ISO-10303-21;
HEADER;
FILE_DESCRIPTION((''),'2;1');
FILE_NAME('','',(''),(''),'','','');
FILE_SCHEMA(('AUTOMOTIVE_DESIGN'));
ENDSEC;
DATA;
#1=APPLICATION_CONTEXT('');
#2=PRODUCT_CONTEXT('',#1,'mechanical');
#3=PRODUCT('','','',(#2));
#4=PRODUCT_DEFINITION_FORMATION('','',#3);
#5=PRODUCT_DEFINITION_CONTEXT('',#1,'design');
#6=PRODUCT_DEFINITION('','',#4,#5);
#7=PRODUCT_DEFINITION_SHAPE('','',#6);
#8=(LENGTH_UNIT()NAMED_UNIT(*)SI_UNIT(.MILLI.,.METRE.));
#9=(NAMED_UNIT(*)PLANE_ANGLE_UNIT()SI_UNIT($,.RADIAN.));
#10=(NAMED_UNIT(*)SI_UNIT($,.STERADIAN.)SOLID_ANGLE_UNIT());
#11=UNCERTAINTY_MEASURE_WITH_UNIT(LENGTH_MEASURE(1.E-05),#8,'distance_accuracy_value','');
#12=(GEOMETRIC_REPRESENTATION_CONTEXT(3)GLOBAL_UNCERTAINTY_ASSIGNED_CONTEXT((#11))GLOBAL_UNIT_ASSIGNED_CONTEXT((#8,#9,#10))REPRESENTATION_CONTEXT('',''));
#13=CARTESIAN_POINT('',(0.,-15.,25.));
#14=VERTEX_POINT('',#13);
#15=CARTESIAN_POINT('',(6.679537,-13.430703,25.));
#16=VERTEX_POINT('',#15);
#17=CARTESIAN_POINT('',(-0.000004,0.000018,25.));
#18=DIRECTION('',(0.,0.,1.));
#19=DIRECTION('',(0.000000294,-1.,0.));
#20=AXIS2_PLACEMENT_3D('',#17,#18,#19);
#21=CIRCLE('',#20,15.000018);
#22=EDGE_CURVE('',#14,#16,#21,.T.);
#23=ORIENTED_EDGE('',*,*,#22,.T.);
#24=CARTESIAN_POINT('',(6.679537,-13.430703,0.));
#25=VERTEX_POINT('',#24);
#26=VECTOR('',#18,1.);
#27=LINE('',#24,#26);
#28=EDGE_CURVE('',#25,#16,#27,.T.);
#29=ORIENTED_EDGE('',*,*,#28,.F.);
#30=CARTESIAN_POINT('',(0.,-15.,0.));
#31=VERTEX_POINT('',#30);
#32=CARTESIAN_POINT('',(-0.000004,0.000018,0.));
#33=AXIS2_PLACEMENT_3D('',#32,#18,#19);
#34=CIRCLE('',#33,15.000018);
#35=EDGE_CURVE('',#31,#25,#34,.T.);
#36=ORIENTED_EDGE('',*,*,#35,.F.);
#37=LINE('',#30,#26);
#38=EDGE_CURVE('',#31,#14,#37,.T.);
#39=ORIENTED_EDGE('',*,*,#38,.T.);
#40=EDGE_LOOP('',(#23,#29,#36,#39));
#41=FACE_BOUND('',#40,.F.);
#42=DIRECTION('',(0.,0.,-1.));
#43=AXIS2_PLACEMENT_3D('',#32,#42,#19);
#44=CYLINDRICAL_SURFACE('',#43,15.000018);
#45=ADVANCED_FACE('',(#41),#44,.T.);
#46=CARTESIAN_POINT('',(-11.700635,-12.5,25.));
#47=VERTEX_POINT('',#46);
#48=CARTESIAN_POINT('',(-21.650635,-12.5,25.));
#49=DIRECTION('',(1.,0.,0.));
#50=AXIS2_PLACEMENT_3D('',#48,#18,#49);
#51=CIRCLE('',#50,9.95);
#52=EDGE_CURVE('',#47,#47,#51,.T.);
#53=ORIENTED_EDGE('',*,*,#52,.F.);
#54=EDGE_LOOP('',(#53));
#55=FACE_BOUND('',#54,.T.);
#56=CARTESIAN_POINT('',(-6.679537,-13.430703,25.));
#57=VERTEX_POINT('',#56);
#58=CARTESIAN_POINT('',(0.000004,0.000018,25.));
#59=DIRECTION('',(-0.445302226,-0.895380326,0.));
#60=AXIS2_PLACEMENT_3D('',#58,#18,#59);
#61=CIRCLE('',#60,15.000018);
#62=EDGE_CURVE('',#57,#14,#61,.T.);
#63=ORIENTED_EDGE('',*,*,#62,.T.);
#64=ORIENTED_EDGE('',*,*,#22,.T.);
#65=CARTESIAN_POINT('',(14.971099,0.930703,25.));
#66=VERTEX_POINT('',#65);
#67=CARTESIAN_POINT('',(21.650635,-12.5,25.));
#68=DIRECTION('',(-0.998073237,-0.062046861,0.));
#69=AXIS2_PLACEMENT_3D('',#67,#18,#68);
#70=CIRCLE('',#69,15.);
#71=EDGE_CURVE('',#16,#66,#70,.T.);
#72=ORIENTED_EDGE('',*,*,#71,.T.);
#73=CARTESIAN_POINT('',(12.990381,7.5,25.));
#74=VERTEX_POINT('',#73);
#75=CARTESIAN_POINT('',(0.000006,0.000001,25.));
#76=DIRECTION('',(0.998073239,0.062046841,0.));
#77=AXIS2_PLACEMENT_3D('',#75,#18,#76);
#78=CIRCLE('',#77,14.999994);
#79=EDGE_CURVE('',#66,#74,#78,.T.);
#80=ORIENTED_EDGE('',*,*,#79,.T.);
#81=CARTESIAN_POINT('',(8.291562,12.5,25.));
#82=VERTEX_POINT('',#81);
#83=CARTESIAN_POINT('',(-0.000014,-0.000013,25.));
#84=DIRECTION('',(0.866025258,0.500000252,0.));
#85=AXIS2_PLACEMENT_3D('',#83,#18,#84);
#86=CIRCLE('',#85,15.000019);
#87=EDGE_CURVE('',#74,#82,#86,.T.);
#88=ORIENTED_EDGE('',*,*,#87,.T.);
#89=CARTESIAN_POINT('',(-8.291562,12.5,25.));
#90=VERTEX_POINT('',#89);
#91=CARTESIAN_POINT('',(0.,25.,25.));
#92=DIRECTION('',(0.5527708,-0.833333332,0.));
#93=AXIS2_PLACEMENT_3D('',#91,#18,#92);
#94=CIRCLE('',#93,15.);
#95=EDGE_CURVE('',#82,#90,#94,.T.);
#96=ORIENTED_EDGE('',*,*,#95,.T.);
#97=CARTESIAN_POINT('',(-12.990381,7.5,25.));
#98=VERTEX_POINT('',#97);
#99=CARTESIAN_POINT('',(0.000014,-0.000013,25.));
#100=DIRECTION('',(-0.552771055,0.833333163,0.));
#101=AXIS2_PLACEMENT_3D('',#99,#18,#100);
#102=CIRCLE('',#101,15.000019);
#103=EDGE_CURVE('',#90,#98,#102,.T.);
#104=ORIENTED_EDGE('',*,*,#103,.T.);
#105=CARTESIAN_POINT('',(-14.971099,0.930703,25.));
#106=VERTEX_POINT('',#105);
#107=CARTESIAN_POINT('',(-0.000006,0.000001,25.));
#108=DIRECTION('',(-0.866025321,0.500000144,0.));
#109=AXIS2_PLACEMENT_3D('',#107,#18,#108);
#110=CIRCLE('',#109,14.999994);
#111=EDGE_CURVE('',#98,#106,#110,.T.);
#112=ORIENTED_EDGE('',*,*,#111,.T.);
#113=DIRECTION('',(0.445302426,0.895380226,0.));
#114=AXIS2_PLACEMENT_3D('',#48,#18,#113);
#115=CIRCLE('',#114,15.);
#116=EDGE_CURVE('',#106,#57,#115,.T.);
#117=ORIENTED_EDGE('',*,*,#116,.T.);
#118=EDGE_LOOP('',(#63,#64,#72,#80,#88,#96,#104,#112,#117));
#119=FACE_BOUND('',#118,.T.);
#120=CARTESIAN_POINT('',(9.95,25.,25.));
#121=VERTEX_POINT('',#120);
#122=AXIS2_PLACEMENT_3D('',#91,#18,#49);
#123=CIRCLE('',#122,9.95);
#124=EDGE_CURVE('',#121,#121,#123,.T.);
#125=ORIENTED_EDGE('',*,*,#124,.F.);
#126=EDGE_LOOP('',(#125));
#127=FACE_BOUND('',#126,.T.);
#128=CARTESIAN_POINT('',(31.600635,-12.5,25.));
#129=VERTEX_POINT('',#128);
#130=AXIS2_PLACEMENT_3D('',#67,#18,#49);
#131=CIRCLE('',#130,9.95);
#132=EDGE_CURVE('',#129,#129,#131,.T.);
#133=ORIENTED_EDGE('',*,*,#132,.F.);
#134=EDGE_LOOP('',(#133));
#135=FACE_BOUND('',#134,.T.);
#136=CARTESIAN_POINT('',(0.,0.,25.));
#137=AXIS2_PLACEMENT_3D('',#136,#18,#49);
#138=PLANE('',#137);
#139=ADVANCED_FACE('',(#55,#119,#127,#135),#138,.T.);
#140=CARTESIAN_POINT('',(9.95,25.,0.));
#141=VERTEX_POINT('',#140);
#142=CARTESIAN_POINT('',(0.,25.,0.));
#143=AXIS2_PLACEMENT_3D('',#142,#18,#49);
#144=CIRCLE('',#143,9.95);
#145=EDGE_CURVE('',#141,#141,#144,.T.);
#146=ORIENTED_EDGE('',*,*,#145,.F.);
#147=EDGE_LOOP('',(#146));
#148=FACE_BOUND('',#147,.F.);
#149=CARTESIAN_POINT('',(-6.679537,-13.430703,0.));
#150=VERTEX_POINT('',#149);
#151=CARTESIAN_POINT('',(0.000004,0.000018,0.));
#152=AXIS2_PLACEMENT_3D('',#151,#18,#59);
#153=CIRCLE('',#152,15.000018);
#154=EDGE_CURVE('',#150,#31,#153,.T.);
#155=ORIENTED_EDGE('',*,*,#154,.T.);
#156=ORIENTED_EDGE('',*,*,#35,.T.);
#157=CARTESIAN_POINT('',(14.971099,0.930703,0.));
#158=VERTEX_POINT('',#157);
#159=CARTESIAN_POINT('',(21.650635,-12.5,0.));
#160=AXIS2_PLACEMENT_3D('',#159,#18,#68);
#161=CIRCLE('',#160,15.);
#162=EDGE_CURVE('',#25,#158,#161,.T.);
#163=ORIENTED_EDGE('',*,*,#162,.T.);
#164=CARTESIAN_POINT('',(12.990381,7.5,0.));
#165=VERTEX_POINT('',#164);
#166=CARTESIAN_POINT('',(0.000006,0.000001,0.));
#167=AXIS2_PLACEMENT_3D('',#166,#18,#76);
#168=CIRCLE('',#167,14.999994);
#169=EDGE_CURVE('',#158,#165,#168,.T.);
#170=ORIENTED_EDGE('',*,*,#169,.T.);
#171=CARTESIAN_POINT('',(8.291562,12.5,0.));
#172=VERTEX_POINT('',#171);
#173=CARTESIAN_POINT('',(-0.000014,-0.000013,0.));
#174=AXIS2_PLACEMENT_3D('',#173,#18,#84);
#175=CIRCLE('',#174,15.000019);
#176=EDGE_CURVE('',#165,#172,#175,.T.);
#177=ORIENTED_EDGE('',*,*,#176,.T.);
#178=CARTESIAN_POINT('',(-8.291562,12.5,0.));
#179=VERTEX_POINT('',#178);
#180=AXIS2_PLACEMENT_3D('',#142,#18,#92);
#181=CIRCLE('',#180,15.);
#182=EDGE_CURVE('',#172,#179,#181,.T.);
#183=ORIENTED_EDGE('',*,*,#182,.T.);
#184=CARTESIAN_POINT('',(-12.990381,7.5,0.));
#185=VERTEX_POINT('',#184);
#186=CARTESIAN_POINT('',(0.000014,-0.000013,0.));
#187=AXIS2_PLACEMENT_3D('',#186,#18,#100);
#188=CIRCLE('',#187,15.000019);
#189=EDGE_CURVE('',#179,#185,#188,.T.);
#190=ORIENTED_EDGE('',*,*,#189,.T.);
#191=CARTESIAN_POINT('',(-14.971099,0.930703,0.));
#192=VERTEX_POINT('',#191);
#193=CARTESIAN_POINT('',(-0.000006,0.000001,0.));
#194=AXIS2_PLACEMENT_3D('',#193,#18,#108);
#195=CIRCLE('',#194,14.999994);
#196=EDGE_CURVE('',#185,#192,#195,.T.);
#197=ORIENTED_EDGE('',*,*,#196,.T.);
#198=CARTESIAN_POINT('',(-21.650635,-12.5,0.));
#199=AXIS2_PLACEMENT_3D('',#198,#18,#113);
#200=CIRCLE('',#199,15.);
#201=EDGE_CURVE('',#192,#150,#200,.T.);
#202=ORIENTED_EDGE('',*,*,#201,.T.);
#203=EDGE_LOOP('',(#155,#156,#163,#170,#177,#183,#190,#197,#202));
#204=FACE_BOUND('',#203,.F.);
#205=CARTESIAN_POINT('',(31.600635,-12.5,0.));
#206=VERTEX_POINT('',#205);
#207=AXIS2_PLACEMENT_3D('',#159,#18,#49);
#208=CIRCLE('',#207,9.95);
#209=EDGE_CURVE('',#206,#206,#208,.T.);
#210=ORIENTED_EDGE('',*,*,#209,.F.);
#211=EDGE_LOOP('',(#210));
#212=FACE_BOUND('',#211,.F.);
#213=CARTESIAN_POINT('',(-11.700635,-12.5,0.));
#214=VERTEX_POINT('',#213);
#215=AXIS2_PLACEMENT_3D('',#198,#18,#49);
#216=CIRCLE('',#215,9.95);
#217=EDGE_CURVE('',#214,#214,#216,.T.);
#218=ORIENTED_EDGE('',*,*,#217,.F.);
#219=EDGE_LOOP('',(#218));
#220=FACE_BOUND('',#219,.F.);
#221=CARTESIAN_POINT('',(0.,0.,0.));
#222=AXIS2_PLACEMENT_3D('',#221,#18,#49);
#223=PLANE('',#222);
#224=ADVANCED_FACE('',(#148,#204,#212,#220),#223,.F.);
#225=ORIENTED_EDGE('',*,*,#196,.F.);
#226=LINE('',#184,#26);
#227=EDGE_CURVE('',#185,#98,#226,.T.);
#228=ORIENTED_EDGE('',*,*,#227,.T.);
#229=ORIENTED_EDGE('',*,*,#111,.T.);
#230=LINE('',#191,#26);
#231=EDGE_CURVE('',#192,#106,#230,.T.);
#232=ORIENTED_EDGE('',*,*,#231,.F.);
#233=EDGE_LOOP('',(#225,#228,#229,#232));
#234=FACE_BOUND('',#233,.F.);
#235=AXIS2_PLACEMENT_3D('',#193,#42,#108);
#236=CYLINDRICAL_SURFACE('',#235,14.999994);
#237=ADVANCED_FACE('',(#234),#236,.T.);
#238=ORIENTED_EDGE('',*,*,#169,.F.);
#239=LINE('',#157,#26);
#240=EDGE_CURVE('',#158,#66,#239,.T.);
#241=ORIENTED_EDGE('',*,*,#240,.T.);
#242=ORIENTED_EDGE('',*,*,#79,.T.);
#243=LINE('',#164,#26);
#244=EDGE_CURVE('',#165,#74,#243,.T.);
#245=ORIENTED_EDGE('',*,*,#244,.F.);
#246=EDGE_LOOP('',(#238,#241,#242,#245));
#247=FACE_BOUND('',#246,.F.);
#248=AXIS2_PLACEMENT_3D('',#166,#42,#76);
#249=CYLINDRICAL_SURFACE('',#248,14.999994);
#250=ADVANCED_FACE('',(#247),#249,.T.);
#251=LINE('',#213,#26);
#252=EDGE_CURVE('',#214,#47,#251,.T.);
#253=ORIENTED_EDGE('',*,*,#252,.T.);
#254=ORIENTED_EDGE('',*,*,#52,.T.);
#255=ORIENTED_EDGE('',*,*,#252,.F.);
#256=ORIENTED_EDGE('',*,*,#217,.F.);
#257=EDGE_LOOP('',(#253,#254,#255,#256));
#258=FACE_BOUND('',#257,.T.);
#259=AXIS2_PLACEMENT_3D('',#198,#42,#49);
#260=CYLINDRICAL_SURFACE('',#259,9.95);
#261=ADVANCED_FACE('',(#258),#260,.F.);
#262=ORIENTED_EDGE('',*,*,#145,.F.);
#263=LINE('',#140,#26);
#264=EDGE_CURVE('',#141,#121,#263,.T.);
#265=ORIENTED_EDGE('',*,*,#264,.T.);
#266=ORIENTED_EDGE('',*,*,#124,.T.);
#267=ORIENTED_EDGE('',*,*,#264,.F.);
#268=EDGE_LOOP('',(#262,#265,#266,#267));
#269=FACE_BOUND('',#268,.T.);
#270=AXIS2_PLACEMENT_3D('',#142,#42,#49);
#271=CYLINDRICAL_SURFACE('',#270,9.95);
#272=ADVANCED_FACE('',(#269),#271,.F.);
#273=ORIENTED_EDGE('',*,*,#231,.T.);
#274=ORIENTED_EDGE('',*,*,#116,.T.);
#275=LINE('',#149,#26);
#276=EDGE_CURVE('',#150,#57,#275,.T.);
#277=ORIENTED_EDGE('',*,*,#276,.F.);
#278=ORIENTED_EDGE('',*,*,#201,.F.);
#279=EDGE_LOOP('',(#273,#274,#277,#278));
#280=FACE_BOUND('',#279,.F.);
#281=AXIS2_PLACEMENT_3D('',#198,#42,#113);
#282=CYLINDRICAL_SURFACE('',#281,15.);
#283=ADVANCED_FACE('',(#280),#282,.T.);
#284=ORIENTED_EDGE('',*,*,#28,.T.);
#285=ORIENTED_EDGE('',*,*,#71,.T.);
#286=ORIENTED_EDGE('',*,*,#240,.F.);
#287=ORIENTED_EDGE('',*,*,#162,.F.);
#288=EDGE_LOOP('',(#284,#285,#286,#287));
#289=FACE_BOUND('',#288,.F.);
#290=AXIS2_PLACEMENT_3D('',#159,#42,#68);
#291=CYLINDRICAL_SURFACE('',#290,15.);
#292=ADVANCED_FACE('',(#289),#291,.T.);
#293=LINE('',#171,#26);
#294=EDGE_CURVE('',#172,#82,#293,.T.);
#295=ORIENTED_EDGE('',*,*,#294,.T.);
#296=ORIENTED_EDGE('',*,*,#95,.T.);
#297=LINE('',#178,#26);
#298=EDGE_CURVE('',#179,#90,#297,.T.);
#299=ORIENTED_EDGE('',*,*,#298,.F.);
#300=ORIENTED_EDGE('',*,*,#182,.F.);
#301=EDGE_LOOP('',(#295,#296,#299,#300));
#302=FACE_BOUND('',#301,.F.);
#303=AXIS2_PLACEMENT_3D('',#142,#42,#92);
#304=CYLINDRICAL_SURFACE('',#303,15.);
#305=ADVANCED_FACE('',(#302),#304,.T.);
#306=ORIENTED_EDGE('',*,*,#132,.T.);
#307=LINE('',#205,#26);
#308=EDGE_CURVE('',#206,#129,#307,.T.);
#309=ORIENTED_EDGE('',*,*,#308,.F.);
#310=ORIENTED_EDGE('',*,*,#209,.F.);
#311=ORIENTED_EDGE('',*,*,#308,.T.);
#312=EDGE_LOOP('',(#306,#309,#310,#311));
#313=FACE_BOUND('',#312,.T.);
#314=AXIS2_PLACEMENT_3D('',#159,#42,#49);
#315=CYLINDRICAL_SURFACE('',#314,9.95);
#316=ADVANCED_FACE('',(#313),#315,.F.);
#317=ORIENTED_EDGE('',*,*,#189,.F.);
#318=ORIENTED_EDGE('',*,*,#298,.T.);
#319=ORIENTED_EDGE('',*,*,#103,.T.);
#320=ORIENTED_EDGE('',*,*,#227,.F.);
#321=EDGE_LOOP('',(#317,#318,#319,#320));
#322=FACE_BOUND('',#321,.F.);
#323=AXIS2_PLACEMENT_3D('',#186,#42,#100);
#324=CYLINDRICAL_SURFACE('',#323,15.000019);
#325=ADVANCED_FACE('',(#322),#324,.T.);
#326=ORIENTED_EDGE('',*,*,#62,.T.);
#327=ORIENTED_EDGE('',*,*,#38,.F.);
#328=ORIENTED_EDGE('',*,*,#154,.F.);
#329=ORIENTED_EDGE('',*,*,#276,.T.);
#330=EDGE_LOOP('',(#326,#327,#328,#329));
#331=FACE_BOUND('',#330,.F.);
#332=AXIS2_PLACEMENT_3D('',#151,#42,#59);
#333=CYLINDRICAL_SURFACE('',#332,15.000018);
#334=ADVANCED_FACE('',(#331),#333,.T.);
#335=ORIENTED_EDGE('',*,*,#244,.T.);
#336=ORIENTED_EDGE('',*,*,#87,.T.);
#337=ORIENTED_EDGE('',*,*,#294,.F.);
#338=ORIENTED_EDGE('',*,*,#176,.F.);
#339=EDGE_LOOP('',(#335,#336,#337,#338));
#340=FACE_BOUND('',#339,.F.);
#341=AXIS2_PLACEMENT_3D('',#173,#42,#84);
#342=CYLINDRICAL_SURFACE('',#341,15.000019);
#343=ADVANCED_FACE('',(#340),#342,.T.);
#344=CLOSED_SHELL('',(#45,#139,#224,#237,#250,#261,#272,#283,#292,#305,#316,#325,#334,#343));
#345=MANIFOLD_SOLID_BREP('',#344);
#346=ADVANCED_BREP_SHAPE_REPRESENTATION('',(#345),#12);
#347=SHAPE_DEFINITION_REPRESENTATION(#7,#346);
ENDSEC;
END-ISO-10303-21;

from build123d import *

# Parameters (mm, degrees)
F0_R     = 9.95
F1_DEPTH = 25


with BuildPart() as f1:
    # F0 (on Top) → F1 (new body)
    with BuildSketch(Plane.XY):
        with BuildLine():
            ThreePointArc((8.291562, 12.5), (0, 40), (-8.291562, 12.5))
            ThreePointArc((-8.291562, 12.5), (-10.930703, 10.272279), (-12.990381, 7.5))
            ThreePointArc((-12.990381, 7.5), (-14.361407, 4.330127), (-14.971099, 0.930703))
            ThreePointArc((-14.971099, 0.930703), (-34.641016, -20), (-6.679537, -13.430703))
            ThreePointArc((-6.679537, -13.430703), (-3.430703, -14.602406), (0, -15))
            ThreePointArc((0, -15), (3.430703, -14.602406), (6.679537, -13.430703))
            ThreePointArc((6.679537, -13.430703), (34.641016, -20), (14.971099, 0.930703))
            ThreePointArc((14.971099, 0.930703), (14.361407, 4.330127), (12.990381, 7.5))
            ThreePointArc((12.990381, 7.5), (10.930703, 10.272279), (8.291562, 12.5))
        make_face()
        with Locations((-21.650635, -12.5)):
            Circle(F0_R, mode=Mode.SUBTRACT)
        with Locations((21.650635, -12.5)):
            Circle(F0_R, mode=Mode.SUBTRACT)
        with Locations((0, 25)):
            Circle(F0_R, mode=Mode.SUBTRACT)
    extrude(amount=F1_DEPTH)


solid = f1.part
